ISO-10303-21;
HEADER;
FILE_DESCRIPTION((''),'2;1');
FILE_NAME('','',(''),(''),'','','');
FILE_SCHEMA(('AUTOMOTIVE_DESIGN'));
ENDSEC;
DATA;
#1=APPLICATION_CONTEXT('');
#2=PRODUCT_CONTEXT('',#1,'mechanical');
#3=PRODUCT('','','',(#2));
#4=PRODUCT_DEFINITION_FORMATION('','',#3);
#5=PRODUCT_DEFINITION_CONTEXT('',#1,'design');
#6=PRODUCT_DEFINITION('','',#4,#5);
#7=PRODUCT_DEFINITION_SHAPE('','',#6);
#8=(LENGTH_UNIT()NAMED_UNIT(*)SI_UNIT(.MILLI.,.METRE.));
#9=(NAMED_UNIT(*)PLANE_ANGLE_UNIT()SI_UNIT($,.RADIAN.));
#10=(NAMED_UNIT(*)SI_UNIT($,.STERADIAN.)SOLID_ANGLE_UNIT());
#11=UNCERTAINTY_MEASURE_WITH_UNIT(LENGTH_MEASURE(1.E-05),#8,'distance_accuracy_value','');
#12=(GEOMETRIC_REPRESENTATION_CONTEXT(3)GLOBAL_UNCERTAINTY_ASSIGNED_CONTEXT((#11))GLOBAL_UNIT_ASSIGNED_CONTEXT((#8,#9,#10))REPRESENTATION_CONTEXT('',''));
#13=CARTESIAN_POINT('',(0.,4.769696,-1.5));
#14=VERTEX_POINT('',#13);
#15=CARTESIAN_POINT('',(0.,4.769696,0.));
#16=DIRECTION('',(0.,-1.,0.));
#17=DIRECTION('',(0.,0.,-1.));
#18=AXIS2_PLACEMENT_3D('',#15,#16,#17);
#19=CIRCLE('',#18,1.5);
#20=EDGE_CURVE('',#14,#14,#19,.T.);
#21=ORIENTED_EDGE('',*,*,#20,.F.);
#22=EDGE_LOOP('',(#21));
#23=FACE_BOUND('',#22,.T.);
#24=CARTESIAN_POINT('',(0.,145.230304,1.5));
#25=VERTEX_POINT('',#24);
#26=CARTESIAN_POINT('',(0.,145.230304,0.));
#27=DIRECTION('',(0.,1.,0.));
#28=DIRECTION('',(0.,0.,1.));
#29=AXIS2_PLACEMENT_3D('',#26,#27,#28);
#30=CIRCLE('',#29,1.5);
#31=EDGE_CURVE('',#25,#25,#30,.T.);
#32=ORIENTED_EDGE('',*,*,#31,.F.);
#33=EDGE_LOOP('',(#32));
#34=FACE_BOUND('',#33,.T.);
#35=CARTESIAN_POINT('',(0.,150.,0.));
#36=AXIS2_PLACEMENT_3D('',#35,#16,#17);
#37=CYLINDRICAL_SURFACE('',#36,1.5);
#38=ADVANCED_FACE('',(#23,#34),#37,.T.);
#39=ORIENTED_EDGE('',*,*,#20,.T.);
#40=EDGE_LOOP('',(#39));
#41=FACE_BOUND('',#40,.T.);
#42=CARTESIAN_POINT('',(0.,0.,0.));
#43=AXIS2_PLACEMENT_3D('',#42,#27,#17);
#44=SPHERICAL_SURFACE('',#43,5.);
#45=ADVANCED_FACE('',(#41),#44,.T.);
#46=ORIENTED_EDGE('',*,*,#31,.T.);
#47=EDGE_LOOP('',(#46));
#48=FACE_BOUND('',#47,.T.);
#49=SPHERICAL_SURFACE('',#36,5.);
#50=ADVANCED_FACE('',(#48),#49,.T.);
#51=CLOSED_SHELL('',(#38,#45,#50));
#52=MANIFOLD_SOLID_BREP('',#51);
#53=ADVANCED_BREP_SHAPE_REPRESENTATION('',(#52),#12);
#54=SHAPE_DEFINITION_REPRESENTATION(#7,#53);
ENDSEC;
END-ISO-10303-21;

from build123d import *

# Parameters (mm, degrees)
SKETCH1_R           = 1.5
BOSS_EXTRUDE1_DEPTH = 150


with BuildPart() as part:
    # Sketch1 → Boss-Extrude1 (new body)
    with BuildSketch(Plane(origin=(0, 0, 0), x_dir=(1, 0, 0), z_dir=(0, 1, 0))):
        with Locations(Location((0, 0, 0), (0, 0, 270))):
            Circle(SKETCH1_R)
    extrude(amount=BOSS_EXTRUDE1_DEPTH)

    # Sketch2 → Revolve1 (revolve)
    with BuildSketch(Plane(origin=(0, 0, 0), x_dir=(0, 0, -1), z_dir=(1, 0, 0))):
        with BuildLine():
            Line((0, 5), (0, -5))
            ThreePointArc((0, -5), (5, 0), (0, 5))
        make_face()
    revolve1 = revolve(axis=Axis((0, 5, 0), (0, -1, 0)))

    # Mirror1: Revolve1 across plane
    add(revolve1.mirror(Plane.ZX.offset(75)))


solid = part.part
